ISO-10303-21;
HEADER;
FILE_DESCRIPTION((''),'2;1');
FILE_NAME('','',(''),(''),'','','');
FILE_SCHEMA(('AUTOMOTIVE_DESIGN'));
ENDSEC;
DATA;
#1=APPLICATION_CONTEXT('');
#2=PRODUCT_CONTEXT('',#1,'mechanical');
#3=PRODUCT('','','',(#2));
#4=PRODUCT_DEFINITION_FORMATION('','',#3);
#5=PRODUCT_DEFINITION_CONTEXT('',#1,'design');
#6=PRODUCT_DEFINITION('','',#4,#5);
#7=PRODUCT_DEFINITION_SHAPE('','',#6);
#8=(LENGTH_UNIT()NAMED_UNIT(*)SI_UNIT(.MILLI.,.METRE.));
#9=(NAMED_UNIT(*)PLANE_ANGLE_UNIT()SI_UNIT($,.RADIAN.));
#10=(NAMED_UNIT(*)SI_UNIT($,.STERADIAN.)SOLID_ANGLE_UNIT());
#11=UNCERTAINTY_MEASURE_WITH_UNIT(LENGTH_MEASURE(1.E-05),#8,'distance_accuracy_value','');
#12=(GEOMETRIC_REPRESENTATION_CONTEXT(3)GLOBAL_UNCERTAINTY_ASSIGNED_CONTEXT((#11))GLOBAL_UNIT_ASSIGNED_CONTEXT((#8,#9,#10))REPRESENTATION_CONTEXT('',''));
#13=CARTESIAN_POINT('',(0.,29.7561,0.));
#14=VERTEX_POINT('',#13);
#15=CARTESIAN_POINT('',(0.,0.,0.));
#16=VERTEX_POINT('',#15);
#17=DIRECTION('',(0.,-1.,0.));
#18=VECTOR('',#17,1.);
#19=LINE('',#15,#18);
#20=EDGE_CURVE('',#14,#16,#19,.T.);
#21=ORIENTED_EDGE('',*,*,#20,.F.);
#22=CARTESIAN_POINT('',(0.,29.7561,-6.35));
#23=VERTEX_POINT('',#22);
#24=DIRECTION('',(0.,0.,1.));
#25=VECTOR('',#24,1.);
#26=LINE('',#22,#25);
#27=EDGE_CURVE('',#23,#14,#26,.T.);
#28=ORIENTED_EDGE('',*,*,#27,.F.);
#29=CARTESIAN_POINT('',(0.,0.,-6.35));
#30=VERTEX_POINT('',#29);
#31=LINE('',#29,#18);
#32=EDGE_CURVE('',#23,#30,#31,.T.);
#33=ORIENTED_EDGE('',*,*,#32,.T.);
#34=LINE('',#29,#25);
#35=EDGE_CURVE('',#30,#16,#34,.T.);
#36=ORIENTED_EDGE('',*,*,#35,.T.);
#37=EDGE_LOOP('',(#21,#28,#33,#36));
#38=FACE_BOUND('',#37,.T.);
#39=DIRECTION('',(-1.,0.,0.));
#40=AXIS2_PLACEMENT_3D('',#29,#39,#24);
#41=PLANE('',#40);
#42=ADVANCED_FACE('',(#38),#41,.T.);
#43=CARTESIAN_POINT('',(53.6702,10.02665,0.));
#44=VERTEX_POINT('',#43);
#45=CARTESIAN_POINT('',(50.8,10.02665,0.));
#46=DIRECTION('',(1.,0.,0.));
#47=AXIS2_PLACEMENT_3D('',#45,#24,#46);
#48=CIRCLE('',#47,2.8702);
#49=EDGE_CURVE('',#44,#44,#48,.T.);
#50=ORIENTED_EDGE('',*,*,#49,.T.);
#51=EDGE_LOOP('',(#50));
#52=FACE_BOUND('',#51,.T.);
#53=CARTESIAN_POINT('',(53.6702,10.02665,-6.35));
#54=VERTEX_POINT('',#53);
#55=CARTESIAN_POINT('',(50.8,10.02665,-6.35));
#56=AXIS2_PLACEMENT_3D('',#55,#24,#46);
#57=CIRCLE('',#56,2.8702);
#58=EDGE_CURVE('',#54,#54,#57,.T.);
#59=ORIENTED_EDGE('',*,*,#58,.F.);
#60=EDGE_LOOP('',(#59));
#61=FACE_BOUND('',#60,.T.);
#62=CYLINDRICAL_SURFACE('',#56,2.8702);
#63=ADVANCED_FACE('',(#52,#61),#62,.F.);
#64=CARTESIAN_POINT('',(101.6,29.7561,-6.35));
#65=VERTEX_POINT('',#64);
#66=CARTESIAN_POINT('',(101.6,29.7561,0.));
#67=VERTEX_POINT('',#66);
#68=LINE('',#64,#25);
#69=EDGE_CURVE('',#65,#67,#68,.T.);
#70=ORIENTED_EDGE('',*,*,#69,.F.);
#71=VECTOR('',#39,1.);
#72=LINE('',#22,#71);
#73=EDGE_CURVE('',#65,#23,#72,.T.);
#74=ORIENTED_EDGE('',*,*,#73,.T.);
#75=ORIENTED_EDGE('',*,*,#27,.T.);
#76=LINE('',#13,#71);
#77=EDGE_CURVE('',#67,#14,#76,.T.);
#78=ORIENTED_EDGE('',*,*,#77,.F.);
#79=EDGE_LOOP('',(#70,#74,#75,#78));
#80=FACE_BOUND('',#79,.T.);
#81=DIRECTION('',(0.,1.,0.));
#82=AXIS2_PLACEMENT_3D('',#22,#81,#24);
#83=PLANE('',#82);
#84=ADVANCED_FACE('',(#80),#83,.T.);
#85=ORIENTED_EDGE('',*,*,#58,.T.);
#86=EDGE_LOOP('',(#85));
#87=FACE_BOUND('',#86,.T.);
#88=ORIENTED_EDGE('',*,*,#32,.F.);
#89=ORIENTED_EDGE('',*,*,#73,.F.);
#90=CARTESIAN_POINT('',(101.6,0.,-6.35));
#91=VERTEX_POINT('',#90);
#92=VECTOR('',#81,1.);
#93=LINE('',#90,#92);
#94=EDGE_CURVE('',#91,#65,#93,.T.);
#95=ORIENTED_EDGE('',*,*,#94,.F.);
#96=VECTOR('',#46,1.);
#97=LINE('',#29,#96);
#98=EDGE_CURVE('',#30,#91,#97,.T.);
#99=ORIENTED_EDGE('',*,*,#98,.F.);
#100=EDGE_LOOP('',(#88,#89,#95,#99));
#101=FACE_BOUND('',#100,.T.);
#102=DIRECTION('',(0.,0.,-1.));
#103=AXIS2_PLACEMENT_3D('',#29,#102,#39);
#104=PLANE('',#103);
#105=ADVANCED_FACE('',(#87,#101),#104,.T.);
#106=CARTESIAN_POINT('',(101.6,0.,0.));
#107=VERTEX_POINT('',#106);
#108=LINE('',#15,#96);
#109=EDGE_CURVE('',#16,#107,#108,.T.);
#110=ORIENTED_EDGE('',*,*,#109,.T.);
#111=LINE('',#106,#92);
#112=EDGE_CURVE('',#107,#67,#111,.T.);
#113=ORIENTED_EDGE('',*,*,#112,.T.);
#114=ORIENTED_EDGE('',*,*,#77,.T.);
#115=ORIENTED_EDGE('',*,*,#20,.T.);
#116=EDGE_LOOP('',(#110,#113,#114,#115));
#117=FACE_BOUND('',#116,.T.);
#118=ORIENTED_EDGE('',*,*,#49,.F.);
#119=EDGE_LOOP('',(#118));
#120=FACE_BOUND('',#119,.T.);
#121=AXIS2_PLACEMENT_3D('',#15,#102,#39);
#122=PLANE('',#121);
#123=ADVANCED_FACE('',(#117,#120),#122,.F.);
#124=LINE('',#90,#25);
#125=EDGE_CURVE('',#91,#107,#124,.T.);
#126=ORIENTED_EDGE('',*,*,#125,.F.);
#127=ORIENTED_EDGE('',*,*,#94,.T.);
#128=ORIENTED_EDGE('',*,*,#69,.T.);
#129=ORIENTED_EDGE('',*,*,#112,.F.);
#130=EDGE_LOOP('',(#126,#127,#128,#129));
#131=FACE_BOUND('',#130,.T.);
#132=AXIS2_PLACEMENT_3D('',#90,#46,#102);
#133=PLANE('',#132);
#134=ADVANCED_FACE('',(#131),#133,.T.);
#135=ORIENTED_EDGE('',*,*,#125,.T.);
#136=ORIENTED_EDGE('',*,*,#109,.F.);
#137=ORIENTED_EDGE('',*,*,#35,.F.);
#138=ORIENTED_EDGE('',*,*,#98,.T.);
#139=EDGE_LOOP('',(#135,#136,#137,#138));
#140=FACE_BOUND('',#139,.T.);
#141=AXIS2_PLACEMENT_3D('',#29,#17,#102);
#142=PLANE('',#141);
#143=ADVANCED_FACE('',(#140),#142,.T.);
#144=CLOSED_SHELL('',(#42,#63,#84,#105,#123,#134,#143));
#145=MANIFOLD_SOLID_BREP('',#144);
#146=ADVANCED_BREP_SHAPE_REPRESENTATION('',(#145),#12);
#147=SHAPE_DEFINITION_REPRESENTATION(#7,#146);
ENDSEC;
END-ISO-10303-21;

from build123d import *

# Parameters (mm, degrees)
SKETCH1_W           = 101.6
SKETCH1_H           = 29.7561
BOSS_EXTRUDE1_DEPTH = 6.35
SKETCH2_R           = 2.8702
CUT_EXTRUDE1_DEPTH  = 107.058040653


with BuildPart() as part:
    # Sketch1 → Boss-Extrude1 (new body)
    with BuildSketch(Plane.XY):
        with Locations((50.8, 14.87805)):
            Rectangle(SKETCH1_W, SKETCH1_H)
    extrude(amount=-BOSS_EXTRUDE1_DEPTH)

    # Sketch2 → Cut-Extrude1 (cut, through all)
    with BuildSketch(Plane.XY):
        with Locations((50.8, 10.02665)):
            Circle(SKETCH2_R)
    extrude(amount=-CUT_EXTRUDE1_DEPTH, mode=Mode.SUBTRACT)


solid = part.part
